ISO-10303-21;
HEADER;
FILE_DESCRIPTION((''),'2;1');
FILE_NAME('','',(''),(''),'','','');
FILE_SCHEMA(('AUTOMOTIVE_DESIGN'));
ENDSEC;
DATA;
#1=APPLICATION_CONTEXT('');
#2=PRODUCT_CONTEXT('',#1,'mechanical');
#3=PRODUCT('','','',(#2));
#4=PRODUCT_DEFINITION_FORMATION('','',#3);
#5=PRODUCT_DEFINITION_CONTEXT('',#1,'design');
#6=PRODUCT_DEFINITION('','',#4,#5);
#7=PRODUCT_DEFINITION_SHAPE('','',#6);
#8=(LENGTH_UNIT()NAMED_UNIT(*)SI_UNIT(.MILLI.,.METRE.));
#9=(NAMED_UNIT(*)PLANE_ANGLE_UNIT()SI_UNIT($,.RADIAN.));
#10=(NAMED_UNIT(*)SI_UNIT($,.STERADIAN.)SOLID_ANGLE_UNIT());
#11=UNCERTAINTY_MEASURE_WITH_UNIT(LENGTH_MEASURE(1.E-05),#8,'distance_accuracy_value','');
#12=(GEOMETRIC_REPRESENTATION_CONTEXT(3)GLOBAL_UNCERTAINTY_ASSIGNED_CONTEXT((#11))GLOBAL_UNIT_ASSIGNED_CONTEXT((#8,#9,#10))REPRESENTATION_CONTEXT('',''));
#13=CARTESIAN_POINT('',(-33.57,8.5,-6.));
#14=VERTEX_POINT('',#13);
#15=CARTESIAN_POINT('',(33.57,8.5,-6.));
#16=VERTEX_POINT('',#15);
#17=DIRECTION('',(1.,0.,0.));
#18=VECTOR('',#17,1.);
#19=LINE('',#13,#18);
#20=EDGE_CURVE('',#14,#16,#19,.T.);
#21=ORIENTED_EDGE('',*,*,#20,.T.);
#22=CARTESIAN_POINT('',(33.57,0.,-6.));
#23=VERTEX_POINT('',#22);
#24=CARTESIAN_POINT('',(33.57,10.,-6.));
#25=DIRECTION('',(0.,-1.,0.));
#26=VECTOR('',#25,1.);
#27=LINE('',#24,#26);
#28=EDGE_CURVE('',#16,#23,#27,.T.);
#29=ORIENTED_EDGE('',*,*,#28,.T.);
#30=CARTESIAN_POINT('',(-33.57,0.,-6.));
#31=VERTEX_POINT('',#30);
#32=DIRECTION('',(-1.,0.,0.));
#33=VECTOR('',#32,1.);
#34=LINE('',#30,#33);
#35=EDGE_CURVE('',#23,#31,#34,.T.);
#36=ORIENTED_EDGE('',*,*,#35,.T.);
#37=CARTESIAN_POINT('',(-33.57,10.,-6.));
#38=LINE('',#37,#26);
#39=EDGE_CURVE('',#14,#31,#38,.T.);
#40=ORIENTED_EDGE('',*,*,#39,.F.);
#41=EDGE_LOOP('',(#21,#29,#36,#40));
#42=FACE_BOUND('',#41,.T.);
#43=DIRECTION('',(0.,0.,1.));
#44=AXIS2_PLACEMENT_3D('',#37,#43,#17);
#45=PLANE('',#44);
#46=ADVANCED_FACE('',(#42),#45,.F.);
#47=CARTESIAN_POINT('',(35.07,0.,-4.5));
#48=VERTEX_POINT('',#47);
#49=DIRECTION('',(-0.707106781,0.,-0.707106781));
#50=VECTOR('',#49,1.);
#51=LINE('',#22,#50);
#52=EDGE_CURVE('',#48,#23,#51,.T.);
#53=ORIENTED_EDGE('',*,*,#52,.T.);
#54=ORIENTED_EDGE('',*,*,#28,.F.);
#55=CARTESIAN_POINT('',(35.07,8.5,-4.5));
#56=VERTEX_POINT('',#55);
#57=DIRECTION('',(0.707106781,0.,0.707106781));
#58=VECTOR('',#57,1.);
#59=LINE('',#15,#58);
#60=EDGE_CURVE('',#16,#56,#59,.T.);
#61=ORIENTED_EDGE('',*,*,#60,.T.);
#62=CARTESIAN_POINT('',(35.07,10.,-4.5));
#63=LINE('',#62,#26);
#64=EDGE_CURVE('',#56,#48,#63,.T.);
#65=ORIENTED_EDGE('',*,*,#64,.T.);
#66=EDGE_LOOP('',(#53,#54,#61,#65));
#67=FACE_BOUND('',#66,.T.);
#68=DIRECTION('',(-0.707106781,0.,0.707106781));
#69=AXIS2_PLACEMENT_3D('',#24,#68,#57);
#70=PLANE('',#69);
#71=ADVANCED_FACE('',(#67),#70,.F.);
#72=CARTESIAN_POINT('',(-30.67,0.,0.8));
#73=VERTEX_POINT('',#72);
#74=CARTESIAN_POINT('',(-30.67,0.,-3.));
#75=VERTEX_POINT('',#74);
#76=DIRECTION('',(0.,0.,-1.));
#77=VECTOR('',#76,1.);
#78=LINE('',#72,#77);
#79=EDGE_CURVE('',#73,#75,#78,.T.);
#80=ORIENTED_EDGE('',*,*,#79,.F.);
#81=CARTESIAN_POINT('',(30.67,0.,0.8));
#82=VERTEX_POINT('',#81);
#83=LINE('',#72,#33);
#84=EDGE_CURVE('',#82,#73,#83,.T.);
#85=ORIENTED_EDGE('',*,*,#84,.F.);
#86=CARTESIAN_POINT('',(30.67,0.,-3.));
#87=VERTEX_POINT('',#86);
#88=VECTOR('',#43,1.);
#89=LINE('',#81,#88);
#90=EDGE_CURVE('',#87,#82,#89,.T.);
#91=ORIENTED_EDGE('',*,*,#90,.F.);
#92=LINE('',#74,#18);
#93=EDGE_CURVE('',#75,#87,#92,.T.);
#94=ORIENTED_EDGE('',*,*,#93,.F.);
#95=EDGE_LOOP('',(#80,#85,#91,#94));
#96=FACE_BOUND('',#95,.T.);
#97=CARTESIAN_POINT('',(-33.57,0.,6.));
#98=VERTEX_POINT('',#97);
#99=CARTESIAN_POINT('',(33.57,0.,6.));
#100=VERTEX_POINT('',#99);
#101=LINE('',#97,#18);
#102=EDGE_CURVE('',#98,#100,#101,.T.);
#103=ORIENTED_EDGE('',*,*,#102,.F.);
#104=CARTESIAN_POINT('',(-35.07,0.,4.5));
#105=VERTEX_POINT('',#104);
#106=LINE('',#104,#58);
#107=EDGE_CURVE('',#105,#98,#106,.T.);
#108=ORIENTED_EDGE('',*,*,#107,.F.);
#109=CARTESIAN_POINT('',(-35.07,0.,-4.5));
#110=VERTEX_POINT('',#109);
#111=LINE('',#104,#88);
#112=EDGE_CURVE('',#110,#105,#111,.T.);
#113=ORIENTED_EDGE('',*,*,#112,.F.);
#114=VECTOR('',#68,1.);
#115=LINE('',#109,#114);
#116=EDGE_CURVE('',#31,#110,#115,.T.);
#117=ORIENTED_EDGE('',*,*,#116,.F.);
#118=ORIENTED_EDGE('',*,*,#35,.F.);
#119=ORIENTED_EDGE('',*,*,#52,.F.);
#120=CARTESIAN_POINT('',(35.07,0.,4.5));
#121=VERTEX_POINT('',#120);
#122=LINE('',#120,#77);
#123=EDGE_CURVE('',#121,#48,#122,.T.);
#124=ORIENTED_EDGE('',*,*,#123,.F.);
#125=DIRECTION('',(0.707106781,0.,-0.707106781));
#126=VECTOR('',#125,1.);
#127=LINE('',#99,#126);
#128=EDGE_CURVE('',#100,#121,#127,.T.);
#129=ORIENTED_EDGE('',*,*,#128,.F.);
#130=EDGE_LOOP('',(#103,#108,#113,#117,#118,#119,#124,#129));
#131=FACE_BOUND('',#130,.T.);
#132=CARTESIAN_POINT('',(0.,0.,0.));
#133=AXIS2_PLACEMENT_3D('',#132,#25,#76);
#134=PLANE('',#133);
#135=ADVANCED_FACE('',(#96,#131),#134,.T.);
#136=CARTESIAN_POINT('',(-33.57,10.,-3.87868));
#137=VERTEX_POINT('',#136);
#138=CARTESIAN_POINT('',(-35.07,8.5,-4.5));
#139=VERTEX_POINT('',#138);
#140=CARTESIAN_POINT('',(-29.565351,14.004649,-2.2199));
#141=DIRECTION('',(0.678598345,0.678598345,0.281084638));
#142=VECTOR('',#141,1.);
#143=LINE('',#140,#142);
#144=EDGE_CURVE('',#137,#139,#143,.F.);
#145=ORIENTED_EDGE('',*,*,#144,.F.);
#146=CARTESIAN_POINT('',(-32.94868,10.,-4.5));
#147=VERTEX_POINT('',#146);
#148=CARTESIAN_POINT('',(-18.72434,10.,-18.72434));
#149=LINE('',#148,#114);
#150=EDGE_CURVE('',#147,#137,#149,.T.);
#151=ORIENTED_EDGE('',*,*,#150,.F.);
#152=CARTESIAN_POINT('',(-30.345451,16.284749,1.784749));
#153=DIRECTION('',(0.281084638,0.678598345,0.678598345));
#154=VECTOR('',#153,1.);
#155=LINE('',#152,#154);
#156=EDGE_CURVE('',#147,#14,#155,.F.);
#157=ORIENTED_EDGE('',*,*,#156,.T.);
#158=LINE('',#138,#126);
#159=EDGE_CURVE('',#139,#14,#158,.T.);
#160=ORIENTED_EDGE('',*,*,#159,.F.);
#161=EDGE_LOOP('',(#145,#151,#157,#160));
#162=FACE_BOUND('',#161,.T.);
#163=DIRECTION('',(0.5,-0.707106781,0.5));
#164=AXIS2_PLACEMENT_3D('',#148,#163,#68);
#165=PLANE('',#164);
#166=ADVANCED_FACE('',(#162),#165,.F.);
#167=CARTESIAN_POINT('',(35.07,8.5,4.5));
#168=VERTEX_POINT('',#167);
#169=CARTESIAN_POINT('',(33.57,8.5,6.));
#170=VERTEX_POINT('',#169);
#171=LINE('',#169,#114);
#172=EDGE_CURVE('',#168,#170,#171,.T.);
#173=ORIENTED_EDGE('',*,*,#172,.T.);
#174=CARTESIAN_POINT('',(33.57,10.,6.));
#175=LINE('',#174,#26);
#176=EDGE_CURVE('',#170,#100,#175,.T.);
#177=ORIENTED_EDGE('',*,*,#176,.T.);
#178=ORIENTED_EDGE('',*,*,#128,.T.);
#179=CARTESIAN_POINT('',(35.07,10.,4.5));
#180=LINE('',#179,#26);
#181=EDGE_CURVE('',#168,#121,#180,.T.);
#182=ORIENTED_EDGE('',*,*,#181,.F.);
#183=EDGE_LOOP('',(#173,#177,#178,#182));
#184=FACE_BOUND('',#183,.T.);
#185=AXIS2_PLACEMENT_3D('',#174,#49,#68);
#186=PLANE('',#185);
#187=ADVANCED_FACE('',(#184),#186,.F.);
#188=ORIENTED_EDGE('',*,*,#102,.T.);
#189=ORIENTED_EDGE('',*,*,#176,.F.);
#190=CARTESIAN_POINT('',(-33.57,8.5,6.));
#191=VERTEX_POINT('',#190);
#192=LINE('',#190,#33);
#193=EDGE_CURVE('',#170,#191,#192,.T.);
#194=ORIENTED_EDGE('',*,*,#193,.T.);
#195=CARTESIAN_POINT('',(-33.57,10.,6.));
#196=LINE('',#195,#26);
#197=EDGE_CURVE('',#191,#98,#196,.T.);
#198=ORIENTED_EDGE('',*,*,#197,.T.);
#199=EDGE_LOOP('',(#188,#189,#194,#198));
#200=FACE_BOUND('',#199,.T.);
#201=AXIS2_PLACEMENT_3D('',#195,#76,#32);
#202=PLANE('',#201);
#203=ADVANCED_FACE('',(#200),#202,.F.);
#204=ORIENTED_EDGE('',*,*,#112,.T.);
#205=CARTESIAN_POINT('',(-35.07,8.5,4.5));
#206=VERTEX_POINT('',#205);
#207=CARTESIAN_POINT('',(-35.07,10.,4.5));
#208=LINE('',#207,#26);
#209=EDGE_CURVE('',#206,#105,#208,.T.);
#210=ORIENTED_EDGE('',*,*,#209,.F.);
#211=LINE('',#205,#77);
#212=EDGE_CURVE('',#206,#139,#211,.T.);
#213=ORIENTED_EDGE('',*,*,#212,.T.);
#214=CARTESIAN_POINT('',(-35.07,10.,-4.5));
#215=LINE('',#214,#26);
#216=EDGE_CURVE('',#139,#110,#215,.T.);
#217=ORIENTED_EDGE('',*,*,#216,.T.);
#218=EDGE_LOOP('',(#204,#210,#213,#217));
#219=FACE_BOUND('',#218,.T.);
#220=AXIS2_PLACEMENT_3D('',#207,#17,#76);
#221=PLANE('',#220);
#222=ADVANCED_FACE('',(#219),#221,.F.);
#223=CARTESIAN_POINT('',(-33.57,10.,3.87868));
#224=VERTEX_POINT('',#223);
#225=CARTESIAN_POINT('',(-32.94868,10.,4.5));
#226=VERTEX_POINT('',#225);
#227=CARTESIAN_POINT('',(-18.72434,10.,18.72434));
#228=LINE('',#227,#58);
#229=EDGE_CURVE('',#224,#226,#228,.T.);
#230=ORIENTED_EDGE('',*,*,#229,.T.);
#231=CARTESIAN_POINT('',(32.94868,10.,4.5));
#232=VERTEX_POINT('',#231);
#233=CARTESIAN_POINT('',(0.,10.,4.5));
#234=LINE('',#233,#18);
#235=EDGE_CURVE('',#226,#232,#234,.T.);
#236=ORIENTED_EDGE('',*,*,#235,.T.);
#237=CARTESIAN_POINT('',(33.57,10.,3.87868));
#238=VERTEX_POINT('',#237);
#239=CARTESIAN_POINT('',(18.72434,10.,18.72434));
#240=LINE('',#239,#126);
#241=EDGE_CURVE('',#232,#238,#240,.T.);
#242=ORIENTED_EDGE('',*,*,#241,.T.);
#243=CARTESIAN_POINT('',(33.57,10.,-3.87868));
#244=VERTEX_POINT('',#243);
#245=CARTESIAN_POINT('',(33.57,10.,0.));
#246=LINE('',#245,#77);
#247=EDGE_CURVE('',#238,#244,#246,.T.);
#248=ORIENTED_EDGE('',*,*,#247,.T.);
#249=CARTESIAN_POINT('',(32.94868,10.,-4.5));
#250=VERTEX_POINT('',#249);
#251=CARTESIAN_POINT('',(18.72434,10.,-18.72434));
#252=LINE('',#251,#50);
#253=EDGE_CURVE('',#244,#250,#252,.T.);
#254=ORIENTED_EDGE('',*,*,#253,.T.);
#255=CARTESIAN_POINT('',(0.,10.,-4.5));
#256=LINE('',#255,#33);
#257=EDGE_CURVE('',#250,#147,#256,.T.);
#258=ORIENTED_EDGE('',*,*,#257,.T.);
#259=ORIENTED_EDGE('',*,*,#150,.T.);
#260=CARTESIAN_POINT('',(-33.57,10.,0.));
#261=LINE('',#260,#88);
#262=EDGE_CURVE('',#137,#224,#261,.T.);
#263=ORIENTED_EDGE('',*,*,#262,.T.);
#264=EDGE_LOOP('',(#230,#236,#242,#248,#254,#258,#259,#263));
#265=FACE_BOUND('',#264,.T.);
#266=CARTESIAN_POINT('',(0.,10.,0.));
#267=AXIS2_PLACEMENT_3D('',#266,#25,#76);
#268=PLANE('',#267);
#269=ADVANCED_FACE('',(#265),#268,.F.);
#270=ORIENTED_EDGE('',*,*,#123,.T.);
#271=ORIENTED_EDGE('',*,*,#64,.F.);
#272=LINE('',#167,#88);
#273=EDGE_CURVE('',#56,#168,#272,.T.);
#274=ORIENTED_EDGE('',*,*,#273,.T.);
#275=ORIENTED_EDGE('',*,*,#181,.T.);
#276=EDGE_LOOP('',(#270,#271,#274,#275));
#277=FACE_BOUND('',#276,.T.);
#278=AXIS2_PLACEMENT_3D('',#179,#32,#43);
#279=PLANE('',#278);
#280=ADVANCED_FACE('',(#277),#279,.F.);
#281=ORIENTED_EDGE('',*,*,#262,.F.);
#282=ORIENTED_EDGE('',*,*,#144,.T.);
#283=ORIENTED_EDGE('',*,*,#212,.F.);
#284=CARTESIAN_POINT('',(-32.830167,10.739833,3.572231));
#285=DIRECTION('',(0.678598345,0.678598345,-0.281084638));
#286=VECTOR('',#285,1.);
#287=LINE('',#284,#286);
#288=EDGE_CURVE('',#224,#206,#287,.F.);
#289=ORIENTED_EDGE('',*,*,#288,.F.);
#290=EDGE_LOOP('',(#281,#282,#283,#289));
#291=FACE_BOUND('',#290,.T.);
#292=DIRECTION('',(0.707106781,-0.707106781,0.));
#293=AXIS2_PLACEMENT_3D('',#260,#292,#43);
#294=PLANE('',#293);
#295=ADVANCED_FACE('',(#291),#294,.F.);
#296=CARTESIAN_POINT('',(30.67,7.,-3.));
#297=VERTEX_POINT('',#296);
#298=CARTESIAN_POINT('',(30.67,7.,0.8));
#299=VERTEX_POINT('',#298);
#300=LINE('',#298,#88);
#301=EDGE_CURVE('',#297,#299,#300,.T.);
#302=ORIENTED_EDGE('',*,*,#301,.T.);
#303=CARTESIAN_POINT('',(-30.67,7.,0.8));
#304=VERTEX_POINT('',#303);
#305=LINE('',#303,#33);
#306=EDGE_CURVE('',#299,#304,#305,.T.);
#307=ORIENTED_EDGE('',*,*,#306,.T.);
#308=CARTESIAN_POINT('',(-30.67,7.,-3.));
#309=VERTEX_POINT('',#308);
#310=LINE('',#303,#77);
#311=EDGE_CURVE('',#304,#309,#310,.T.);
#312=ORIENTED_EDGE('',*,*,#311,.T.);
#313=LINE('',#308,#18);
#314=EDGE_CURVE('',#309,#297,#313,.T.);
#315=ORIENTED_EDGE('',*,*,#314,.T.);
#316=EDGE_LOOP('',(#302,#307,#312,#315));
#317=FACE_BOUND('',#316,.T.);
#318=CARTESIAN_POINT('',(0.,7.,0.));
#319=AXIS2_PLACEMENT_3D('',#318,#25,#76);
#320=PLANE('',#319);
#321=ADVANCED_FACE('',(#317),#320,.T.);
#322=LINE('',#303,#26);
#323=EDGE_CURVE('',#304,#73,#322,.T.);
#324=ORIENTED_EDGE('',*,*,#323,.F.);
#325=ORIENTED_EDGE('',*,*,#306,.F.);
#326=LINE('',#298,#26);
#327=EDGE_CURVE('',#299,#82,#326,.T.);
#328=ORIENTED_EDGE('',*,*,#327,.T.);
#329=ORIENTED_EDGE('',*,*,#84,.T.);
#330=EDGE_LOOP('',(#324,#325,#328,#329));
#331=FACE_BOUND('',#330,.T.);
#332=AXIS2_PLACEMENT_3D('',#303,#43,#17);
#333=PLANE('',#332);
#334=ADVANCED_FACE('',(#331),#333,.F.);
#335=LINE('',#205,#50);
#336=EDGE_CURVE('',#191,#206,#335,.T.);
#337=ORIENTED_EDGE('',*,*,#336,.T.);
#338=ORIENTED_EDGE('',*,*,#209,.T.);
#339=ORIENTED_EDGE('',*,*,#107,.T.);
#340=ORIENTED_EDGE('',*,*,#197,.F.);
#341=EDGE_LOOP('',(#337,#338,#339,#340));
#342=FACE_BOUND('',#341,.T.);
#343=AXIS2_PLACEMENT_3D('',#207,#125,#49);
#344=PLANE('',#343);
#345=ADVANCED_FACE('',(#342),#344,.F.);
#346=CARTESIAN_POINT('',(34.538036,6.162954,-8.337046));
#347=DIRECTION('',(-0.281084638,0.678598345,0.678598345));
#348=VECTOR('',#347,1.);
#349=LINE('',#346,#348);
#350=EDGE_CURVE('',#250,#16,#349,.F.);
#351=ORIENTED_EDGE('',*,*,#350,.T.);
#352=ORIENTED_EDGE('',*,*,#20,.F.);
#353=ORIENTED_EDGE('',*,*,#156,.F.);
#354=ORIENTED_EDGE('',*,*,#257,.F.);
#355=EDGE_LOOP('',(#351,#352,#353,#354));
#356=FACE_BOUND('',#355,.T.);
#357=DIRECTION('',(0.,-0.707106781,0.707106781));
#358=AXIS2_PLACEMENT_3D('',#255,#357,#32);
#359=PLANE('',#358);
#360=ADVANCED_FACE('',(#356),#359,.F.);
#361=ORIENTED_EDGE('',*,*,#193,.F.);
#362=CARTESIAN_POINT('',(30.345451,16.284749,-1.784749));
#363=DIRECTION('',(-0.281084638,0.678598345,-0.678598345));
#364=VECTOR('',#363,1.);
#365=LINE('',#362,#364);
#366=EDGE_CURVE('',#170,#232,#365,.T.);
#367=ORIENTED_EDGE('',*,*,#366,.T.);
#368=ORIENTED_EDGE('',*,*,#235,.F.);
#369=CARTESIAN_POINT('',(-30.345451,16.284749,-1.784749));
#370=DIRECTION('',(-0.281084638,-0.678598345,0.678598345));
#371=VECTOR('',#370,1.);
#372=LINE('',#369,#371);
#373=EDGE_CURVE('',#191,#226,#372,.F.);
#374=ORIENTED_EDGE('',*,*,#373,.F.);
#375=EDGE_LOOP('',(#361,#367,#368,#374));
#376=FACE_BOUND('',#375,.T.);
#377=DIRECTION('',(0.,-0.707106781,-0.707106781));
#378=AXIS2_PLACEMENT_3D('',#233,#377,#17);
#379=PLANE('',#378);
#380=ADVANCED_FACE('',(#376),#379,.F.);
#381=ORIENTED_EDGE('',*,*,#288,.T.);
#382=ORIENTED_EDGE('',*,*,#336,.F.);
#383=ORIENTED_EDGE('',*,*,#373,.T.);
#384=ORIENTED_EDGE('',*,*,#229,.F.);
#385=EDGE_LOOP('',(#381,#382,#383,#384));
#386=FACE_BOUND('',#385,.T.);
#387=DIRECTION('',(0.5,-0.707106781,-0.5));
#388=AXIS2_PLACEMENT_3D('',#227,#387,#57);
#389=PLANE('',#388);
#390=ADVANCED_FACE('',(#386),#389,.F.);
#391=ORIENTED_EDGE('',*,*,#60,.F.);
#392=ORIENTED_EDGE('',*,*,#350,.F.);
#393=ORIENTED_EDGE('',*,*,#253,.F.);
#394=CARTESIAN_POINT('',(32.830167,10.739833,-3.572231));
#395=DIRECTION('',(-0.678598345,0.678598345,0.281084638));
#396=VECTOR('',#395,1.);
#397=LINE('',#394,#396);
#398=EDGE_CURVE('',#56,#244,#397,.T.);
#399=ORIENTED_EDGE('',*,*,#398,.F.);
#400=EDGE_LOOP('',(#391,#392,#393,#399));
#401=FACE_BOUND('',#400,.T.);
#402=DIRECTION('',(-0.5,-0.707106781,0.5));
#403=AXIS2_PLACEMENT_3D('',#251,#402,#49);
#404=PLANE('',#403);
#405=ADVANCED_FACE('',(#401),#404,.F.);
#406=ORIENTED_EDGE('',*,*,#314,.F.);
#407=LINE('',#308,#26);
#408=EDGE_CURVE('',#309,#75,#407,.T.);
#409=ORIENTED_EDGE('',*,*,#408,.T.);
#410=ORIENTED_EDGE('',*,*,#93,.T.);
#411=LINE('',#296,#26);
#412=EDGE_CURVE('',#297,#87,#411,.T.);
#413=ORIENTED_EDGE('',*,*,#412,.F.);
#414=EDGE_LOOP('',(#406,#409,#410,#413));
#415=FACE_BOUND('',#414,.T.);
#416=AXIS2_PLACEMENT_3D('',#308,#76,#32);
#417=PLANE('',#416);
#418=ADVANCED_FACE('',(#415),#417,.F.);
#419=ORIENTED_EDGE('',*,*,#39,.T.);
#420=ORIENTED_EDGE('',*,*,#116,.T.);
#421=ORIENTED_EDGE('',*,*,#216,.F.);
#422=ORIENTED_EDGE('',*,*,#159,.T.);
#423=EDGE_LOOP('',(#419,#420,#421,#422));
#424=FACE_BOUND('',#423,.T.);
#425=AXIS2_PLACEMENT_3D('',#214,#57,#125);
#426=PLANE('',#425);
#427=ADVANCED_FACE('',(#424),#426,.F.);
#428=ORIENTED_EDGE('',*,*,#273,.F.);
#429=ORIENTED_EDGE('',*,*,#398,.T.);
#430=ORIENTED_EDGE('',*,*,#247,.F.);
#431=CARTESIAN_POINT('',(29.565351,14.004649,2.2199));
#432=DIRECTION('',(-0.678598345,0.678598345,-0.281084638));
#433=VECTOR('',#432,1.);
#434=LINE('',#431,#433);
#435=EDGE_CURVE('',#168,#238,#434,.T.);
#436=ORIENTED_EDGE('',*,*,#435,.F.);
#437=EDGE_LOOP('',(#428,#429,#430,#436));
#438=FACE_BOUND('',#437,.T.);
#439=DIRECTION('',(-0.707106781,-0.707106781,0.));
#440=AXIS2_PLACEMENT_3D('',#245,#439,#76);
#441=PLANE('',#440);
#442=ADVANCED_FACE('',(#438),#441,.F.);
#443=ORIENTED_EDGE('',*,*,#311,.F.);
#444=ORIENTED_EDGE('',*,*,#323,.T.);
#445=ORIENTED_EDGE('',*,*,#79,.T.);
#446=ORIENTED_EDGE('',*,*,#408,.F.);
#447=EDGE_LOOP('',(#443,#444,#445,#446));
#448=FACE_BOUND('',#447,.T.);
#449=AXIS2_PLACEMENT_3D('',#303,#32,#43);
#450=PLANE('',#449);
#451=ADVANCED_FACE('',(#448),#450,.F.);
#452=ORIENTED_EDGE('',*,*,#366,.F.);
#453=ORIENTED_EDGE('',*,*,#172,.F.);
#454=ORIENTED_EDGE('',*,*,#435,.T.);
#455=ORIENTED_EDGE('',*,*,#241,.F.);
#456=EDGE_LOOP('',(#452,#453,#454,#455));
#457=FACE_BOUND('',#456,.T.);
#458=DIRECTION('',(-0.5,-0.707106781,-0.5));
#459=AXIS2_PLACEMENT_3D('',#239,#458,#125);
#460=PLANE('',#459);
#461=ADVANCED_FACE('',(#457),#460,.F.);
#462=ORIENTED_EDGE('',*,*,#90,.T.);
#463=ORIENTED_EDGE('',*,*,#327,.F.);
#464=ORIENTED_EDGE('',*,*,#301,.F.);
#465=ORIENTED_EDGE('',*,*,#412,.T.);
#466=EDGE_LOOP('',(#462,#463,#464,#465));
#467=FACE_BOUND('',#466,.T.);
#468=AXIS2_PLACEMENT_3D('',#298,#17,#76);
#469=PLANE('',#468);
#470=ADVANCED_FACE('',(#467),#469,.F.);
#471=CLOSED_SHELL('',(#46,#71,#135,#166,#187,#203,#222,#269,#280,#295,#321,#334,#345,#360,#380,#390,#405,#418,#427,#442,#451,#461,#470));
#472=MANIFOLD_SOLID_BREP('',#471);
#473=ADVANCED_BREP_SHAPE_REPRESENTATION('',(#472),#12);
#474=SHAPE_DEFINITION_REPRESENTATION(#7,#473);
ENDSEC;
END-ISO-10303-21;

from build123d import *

# Parameters (mm, degrees)
BOSS_EXTRUDE1_DEPTH = 10
CHAMFER1_SIZE       = 1.5
SKETCH2_W           = 61.34
SKETCH2_H           = 3.8
CUT_EXTRUDE1_DEPTH  = 7


with BuildPart() as part:
    # Sketch1 → Boss-Extrude1 (new body)
    with BuildSketch(Plane(origin=(0, 0, 0), x_dir=(1, 0, 0), z_dir=(0, 1, 0))):
        Polygon((-35.07, 4.5), (-33.57, 6), (33.57, 6), (35.07, 4.5), (35.07, -4.5), (33.57, -6), (-33.57, -6), (-35.07, -4.5), align=None)
    extrude(amount=BOSS_EXTRUDE1_DEPTH)

    # Chamfer1
    chamfer1_edges = [part.edges().sort_by_distance(p)[0] for p in [
        (0, 10, 6),
        (34.32, 10, 5.25),
        (35.07, 10, 0),
        (34.32, 10, -5.25),
        (0, 10, -6),
        (-34.32, 10, -5.25),
        (-35.07, 10, 0),
        (-34.32, 10, 5.25),
    ]]
    chamfer(chamfer1_edges, length=CHAMFER1_SIZE)

    # Sketch2 → Cut-Extrude1 (cut)
    with BuildSketch(Plane.XZ):
        with Locations((0, -1.1)):
            Rectangle(SKETCH2_W, SKETCH2_H)
    extrude(amount=-CUT_EXTRUDE1_DEPTH, mode=Mode.SUBTRACT)


solid = part.part
